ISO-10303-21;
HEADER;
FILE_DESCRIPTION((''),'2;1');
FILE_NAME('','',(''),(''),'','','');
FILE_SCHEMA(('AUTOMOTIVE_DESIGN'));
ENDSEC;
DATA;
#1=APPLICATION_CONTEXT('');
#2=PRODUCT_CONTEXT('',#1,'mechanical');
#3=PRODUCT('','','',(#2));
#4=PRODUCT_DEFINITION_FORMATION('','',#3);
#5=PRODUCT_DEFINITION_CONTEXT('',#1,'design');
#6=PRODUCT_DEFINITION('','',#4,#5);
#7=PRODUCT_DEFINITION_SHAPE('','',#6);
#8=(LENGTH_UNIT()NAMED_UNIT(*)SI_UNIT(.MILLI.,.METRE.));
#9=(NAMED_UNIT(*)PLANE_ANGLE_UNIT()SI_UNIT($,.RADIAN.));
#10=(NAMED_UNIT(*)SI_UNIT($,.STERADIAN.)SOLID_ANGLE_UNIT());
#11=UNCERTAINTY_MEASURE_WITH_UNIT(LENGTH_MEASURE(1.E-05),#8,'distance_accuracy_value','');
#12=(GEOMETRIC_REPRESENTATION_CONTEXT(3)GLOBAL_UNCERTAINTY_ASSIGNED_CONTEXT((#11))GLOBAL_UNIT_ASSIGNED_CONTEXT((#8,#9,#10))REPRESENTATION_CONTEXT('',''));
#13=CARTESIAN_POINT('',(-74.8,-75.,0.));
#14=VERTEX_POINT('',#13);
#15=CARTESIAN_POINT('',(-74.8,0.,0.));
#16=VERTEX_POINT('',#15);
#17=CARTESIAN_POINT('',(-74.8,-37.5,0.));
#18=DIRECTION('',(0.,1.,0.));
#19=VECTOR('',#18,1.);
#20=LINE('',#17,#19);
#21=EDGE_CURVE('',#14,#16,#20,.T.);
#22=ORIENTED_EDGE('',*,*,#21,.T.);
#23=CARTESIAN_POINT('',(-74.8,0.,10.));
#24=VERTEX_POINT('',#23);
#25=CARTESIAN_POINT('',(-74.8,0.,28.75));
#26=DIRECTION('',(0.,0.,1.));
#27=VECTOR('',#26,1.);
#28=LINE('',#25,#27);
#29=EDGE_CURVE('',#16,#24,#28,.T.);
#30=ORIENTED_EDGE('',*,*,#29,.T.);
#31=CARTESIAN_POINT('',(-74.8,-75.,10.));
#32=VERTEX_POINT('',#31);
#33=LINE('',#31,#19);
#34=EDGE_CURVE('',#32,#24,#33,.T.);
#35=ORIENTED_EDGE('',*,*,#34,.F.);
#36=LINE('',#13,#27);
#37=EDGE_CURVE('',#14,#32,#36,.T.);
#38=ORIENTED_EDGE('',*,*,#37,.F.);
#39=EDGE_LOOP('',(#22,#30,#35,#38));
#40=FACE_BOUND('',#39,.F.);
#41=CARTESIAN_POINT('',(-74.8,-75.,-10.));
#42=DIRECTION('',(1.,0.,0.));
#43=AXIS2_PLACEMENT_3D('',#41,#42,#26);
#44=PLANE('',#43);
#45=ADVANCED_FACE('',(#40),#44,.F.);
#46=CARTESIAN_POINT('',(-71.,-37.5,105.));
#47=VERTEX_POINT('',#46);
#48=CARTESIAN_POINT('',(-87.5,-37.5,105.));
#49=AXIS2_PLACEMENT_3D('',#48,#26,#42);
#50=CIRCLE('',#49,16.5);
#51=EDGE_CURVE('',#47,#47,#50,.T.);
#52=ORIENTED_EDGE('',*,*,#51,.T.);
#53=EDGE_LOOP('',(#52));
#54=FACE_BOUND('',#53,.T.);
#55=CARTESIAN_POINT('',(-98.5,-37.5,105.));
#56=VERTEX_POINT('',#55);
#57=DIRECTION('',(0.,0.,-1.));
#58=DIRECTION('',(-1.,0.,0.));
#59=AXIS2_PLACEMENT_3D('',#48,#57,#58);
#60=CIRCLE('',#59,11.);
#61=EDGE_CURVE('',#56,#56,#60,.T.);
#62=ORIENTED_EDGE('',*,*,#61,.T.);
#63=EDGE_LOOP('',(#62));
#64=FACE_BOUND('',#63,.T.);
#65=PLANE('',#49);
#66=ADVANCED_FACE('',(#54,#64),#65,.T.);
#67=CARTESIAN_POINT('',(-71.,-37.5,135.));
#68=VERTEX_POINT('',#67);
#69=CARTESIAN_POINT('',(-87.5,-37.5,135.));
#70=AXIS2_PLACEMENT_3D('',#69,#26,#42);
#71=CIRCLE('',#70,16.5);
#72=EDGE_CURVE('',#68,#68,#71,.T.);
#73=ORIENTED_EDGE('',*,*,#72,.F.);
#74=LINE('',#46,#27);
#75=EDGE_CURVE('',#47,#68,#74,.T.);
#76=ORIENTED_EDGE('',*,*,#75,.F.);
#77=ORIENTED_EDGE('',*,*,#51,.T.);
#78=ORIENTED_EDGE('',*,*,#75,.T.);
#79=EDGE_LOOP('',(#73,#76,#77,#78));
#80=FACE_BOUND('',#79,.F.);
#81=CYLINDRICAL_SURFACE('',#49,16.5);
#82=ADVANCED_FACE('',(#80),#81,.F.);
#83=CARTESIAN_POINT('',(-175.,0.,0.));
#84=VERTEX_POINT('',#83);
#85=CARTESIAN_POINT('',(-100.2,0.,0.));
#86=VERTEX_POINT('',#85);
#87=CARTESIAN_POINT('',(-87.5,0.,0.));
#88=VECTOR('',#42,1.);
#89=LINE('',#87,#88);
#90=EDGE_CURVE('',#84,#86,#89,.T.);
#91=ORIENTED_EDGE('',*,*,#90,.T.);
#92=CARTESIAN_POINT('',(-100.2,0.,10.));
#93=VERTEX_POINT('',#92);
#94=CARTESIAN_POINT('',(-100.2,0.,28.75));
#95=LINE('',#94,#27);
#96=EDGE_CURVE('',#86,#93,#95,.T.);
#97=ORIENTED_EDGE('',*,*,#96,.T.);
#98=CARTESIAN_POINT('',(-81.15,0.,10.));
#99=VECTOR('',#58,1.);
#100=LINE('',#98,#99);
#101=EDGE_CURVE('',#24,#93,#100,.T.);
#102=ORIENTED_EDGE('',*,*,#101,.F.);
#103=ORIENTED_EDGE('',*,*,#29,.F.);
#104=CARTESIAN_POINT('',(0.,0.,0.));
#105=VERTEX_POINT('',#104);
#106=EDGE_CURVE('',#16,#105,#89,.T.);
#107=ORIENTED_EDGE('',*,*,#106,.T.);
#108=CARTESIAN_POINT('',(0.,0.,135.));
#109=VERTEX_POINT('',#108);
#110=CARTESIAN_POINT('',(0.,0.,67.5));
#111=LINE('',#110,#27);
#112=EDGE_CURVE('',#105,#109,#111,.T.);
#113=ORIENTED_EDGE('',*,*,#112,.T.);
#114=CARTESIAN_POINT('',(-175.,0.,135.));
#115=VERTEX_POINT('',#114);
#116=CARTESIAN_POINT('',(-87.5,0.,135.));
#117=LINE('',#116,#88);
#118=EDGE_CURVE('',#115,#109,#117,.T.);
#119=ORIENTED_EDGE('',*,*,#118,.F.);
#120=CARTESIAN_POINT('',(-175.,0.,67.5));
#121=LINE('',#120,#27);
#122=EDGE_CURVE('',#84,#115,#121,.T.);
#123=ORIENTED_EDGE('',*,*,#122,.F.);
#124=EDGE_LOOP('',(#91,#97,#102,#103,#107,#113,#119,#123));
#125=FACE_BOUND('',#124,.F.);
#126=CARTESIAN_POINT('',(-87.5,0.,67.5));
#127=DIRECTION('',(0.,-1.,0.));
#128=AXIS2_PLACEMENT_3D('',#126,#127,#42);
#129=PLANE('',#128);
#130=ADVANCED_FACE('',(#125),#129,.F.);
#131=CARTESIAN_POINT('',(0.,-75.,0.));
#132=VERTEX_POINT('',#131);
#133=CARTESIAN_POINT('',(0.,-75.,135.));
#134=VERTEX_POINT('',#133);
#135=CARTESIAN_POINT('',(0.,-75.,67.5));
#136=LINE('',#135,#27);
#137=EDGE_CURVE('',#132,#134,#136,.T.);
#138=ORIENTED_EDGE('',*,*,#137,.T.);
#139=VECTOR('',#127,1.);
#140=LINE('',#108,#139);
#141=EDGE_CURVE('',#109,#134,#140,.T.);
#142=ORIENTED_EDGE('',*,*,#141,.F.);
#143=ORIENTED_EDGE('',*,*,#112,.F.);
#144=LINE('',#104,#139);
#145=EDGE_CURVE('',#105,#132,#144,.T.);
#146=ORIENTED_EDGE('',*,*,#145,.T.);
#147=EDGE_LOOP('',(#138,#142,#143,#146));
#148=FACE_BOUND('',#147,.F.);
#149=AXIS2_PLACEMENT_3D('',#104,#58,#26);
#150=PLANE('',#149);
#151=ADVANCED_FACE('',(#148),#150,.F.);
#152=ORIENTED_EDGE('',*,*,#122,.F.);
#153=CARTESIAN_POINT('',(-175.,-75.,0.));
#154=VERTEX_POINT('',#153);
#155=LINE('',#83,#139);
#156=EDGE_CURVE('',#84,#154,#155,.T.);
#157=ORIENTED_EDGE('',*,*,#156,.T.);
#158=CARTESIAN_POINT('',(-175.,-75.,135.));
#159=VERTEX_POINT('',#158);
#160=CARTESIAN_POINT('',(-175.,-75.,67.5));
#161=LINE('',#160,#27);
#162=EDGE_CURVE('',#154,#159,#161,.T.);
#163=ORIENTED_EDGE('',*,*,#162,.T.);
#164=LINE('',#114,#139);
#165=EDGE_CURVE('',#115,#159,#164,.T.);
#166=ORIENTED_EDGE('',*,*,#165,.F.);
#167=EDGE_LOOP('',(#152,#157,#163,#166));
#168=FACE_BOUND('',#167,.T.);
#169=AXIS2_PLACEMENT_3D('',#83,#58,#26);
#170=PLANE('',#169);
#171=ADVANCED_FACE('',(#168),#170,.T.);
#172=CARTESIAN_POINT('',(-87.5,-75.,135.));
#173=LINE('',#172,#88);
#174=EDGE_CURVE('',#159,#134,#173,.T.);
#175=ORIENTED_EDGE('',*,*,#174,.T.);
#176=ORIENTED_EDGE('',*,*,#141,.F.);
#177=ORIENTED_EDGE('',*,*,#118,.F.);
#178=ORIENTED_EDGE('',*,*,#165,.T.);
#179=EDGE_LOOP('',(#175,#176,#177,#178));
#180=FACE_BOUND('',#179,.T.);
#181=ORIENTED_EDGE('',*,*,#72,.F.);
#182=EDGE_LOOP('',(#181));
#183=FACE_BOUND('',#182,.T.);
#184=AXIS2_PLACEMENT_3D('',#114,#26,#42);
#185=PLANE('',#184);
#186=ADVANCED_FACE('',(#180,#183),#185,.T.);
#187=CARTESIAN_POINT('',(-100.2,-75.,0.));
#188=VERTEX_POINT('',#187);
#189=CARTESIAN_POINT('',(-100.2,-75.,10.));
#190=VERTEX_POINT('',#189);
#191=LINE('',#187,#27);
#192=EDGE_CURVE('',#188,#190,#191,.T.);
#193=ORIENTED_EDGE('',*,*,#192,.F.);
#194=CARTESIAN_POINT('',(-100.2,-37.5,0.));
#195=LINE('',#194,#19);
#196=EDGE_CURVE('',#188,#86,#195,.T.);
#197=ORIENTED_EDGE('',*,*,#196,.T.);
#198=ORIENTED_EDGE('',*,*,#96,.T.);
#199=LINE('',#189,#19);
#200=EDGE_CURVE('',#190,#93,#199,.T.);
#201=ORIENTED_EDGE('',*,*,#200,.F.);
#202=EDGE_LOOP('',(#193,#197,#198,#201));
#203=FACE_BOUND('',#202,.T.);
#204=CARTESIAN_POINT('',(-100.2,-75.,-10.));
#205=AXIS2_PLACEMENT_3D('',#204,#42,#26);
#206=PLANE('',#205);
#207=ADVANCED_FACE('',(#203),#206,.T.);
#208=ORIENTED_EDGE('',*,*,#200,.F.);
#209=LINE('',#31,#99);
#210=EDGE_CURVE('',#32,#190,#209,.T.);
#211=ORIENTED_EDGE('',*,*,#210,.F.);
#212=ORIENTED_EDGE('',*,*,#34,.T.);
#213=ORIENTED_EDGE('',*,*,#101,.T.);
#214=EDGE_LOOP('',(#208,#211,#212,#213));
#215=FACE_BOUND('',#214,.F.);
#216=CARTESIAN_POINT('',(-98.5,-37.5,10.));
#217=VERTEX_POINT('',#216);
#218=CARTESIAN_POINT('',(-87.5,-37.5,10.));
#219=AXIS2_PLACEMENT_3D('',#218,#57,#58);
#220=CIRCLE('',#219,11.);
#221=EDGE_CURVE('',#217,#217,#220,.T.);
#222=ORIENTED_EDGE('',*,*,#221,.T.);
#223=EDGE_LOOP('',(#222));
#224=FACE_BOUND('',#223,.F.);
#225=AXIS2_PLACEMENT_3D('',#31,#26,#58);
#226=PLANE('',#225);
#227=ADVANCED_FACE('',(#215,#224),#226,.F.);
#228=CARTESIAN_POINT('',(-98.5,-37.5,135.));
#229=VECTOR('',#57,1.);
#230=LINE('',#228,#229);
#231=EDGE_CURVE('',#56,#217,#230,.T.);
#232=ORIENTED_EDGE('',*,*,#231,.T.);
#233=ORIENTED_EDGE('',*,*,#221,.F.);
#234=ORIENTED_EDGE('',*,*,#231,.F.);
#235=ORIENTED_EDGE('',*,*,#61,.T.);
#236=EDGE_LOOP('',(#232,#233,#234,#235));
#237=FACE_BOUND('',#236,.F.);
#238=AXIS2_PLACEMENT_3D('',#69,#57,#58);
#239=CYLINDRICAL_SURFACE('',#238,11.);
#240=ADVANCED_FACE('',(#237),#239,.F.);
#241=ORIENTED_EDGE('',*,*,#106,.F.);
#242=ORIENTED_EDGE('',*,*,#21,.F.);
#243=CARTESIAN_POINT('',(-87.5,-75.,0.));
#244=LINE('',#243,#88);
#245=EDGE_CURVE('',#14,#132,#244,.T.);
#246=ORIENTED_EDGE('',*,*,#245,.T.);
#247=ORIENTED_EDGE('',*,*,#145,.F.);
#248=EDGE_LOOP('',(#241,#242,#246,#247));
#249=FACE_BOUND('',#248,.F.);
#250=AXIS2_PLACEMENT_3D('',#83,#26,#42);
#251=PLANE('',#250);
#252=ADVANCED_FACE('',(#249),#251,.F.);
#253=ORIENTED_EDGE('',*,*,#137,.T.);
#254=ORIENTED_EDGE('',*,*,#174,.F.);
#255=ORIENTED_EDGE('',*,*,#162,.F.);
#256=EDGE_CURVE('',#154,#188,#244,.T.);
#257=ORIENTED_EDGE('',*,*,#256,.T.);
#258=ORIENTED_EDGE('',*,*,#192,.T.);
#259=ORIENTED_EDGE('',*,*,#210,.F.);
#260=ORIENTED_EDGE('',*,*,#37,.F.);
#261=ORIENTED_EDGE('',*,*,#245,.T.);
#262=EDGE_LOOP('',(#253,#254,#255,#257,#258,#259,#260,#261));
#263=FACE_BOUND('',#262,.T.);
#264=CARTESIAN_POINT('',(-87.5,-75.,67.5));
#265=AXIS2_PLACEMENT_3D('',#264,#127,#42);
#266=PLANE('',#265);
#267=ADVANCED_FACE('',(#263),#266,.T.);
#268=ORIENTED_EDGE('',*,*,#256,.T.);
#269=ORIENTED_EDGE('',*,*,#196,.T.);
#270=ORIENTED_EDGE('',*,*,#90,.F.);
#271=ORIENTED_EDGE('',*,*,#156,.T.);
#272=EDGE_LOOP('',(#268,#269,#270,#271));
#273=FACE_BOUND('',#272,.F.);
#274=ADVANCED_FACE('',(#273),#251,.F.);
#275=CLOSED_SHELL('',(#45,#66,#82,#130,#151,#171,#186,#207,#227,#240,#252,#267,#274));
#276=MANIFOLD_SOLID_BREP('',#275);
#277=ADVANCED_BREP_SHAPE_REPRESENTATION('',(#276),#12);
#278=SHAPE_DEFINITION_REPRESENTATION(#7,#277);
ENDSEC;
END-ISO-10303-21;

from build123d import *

# Parameters (mm, degrees)
F0_W           = 175
F0_H           = 135
F1_DEPTH       = 75
F2_W           = 12.7
F2_H           = 20
F3_DEPTH       = 92.1
F5_D           = 22
F5_DEPTH       = 180
F5_CBORE_D     = 33
F5_CBORE_DEPTH = 30


with BuildPart() as f1:
    # F0 (on Front) → F1 (new body)
    with BuildSketch(Plane.XZ):
        with Locations((-87.5, 67.5)):
            Rectangle(F0_W, F0_H)
    extrude(amount=F1_DEPTH)

    # F2 (on face) → F3 (cut)
    with BuildSketch(Plane.XZ.offset(75)):
        with Locations((-93.85, 0)):
            Rectangle(F2_W, F2_H)
        with Locations((-81.15, 0)):
            Rectangle(F2_W, F2_H)
    extrude(amount=-F3_DEPTH, mode=Mode.SUBTRACT)

    # F5
    with Locations(Plane.XY.offset(135)):
        with Locations((-87.5, -37.5)):
            CounterBoreHole(F5_D / 2, F5_CBORE_D / 2, F5_CBORE_DEPTH, depth=F5_DEPTH)


solid = f1.part
